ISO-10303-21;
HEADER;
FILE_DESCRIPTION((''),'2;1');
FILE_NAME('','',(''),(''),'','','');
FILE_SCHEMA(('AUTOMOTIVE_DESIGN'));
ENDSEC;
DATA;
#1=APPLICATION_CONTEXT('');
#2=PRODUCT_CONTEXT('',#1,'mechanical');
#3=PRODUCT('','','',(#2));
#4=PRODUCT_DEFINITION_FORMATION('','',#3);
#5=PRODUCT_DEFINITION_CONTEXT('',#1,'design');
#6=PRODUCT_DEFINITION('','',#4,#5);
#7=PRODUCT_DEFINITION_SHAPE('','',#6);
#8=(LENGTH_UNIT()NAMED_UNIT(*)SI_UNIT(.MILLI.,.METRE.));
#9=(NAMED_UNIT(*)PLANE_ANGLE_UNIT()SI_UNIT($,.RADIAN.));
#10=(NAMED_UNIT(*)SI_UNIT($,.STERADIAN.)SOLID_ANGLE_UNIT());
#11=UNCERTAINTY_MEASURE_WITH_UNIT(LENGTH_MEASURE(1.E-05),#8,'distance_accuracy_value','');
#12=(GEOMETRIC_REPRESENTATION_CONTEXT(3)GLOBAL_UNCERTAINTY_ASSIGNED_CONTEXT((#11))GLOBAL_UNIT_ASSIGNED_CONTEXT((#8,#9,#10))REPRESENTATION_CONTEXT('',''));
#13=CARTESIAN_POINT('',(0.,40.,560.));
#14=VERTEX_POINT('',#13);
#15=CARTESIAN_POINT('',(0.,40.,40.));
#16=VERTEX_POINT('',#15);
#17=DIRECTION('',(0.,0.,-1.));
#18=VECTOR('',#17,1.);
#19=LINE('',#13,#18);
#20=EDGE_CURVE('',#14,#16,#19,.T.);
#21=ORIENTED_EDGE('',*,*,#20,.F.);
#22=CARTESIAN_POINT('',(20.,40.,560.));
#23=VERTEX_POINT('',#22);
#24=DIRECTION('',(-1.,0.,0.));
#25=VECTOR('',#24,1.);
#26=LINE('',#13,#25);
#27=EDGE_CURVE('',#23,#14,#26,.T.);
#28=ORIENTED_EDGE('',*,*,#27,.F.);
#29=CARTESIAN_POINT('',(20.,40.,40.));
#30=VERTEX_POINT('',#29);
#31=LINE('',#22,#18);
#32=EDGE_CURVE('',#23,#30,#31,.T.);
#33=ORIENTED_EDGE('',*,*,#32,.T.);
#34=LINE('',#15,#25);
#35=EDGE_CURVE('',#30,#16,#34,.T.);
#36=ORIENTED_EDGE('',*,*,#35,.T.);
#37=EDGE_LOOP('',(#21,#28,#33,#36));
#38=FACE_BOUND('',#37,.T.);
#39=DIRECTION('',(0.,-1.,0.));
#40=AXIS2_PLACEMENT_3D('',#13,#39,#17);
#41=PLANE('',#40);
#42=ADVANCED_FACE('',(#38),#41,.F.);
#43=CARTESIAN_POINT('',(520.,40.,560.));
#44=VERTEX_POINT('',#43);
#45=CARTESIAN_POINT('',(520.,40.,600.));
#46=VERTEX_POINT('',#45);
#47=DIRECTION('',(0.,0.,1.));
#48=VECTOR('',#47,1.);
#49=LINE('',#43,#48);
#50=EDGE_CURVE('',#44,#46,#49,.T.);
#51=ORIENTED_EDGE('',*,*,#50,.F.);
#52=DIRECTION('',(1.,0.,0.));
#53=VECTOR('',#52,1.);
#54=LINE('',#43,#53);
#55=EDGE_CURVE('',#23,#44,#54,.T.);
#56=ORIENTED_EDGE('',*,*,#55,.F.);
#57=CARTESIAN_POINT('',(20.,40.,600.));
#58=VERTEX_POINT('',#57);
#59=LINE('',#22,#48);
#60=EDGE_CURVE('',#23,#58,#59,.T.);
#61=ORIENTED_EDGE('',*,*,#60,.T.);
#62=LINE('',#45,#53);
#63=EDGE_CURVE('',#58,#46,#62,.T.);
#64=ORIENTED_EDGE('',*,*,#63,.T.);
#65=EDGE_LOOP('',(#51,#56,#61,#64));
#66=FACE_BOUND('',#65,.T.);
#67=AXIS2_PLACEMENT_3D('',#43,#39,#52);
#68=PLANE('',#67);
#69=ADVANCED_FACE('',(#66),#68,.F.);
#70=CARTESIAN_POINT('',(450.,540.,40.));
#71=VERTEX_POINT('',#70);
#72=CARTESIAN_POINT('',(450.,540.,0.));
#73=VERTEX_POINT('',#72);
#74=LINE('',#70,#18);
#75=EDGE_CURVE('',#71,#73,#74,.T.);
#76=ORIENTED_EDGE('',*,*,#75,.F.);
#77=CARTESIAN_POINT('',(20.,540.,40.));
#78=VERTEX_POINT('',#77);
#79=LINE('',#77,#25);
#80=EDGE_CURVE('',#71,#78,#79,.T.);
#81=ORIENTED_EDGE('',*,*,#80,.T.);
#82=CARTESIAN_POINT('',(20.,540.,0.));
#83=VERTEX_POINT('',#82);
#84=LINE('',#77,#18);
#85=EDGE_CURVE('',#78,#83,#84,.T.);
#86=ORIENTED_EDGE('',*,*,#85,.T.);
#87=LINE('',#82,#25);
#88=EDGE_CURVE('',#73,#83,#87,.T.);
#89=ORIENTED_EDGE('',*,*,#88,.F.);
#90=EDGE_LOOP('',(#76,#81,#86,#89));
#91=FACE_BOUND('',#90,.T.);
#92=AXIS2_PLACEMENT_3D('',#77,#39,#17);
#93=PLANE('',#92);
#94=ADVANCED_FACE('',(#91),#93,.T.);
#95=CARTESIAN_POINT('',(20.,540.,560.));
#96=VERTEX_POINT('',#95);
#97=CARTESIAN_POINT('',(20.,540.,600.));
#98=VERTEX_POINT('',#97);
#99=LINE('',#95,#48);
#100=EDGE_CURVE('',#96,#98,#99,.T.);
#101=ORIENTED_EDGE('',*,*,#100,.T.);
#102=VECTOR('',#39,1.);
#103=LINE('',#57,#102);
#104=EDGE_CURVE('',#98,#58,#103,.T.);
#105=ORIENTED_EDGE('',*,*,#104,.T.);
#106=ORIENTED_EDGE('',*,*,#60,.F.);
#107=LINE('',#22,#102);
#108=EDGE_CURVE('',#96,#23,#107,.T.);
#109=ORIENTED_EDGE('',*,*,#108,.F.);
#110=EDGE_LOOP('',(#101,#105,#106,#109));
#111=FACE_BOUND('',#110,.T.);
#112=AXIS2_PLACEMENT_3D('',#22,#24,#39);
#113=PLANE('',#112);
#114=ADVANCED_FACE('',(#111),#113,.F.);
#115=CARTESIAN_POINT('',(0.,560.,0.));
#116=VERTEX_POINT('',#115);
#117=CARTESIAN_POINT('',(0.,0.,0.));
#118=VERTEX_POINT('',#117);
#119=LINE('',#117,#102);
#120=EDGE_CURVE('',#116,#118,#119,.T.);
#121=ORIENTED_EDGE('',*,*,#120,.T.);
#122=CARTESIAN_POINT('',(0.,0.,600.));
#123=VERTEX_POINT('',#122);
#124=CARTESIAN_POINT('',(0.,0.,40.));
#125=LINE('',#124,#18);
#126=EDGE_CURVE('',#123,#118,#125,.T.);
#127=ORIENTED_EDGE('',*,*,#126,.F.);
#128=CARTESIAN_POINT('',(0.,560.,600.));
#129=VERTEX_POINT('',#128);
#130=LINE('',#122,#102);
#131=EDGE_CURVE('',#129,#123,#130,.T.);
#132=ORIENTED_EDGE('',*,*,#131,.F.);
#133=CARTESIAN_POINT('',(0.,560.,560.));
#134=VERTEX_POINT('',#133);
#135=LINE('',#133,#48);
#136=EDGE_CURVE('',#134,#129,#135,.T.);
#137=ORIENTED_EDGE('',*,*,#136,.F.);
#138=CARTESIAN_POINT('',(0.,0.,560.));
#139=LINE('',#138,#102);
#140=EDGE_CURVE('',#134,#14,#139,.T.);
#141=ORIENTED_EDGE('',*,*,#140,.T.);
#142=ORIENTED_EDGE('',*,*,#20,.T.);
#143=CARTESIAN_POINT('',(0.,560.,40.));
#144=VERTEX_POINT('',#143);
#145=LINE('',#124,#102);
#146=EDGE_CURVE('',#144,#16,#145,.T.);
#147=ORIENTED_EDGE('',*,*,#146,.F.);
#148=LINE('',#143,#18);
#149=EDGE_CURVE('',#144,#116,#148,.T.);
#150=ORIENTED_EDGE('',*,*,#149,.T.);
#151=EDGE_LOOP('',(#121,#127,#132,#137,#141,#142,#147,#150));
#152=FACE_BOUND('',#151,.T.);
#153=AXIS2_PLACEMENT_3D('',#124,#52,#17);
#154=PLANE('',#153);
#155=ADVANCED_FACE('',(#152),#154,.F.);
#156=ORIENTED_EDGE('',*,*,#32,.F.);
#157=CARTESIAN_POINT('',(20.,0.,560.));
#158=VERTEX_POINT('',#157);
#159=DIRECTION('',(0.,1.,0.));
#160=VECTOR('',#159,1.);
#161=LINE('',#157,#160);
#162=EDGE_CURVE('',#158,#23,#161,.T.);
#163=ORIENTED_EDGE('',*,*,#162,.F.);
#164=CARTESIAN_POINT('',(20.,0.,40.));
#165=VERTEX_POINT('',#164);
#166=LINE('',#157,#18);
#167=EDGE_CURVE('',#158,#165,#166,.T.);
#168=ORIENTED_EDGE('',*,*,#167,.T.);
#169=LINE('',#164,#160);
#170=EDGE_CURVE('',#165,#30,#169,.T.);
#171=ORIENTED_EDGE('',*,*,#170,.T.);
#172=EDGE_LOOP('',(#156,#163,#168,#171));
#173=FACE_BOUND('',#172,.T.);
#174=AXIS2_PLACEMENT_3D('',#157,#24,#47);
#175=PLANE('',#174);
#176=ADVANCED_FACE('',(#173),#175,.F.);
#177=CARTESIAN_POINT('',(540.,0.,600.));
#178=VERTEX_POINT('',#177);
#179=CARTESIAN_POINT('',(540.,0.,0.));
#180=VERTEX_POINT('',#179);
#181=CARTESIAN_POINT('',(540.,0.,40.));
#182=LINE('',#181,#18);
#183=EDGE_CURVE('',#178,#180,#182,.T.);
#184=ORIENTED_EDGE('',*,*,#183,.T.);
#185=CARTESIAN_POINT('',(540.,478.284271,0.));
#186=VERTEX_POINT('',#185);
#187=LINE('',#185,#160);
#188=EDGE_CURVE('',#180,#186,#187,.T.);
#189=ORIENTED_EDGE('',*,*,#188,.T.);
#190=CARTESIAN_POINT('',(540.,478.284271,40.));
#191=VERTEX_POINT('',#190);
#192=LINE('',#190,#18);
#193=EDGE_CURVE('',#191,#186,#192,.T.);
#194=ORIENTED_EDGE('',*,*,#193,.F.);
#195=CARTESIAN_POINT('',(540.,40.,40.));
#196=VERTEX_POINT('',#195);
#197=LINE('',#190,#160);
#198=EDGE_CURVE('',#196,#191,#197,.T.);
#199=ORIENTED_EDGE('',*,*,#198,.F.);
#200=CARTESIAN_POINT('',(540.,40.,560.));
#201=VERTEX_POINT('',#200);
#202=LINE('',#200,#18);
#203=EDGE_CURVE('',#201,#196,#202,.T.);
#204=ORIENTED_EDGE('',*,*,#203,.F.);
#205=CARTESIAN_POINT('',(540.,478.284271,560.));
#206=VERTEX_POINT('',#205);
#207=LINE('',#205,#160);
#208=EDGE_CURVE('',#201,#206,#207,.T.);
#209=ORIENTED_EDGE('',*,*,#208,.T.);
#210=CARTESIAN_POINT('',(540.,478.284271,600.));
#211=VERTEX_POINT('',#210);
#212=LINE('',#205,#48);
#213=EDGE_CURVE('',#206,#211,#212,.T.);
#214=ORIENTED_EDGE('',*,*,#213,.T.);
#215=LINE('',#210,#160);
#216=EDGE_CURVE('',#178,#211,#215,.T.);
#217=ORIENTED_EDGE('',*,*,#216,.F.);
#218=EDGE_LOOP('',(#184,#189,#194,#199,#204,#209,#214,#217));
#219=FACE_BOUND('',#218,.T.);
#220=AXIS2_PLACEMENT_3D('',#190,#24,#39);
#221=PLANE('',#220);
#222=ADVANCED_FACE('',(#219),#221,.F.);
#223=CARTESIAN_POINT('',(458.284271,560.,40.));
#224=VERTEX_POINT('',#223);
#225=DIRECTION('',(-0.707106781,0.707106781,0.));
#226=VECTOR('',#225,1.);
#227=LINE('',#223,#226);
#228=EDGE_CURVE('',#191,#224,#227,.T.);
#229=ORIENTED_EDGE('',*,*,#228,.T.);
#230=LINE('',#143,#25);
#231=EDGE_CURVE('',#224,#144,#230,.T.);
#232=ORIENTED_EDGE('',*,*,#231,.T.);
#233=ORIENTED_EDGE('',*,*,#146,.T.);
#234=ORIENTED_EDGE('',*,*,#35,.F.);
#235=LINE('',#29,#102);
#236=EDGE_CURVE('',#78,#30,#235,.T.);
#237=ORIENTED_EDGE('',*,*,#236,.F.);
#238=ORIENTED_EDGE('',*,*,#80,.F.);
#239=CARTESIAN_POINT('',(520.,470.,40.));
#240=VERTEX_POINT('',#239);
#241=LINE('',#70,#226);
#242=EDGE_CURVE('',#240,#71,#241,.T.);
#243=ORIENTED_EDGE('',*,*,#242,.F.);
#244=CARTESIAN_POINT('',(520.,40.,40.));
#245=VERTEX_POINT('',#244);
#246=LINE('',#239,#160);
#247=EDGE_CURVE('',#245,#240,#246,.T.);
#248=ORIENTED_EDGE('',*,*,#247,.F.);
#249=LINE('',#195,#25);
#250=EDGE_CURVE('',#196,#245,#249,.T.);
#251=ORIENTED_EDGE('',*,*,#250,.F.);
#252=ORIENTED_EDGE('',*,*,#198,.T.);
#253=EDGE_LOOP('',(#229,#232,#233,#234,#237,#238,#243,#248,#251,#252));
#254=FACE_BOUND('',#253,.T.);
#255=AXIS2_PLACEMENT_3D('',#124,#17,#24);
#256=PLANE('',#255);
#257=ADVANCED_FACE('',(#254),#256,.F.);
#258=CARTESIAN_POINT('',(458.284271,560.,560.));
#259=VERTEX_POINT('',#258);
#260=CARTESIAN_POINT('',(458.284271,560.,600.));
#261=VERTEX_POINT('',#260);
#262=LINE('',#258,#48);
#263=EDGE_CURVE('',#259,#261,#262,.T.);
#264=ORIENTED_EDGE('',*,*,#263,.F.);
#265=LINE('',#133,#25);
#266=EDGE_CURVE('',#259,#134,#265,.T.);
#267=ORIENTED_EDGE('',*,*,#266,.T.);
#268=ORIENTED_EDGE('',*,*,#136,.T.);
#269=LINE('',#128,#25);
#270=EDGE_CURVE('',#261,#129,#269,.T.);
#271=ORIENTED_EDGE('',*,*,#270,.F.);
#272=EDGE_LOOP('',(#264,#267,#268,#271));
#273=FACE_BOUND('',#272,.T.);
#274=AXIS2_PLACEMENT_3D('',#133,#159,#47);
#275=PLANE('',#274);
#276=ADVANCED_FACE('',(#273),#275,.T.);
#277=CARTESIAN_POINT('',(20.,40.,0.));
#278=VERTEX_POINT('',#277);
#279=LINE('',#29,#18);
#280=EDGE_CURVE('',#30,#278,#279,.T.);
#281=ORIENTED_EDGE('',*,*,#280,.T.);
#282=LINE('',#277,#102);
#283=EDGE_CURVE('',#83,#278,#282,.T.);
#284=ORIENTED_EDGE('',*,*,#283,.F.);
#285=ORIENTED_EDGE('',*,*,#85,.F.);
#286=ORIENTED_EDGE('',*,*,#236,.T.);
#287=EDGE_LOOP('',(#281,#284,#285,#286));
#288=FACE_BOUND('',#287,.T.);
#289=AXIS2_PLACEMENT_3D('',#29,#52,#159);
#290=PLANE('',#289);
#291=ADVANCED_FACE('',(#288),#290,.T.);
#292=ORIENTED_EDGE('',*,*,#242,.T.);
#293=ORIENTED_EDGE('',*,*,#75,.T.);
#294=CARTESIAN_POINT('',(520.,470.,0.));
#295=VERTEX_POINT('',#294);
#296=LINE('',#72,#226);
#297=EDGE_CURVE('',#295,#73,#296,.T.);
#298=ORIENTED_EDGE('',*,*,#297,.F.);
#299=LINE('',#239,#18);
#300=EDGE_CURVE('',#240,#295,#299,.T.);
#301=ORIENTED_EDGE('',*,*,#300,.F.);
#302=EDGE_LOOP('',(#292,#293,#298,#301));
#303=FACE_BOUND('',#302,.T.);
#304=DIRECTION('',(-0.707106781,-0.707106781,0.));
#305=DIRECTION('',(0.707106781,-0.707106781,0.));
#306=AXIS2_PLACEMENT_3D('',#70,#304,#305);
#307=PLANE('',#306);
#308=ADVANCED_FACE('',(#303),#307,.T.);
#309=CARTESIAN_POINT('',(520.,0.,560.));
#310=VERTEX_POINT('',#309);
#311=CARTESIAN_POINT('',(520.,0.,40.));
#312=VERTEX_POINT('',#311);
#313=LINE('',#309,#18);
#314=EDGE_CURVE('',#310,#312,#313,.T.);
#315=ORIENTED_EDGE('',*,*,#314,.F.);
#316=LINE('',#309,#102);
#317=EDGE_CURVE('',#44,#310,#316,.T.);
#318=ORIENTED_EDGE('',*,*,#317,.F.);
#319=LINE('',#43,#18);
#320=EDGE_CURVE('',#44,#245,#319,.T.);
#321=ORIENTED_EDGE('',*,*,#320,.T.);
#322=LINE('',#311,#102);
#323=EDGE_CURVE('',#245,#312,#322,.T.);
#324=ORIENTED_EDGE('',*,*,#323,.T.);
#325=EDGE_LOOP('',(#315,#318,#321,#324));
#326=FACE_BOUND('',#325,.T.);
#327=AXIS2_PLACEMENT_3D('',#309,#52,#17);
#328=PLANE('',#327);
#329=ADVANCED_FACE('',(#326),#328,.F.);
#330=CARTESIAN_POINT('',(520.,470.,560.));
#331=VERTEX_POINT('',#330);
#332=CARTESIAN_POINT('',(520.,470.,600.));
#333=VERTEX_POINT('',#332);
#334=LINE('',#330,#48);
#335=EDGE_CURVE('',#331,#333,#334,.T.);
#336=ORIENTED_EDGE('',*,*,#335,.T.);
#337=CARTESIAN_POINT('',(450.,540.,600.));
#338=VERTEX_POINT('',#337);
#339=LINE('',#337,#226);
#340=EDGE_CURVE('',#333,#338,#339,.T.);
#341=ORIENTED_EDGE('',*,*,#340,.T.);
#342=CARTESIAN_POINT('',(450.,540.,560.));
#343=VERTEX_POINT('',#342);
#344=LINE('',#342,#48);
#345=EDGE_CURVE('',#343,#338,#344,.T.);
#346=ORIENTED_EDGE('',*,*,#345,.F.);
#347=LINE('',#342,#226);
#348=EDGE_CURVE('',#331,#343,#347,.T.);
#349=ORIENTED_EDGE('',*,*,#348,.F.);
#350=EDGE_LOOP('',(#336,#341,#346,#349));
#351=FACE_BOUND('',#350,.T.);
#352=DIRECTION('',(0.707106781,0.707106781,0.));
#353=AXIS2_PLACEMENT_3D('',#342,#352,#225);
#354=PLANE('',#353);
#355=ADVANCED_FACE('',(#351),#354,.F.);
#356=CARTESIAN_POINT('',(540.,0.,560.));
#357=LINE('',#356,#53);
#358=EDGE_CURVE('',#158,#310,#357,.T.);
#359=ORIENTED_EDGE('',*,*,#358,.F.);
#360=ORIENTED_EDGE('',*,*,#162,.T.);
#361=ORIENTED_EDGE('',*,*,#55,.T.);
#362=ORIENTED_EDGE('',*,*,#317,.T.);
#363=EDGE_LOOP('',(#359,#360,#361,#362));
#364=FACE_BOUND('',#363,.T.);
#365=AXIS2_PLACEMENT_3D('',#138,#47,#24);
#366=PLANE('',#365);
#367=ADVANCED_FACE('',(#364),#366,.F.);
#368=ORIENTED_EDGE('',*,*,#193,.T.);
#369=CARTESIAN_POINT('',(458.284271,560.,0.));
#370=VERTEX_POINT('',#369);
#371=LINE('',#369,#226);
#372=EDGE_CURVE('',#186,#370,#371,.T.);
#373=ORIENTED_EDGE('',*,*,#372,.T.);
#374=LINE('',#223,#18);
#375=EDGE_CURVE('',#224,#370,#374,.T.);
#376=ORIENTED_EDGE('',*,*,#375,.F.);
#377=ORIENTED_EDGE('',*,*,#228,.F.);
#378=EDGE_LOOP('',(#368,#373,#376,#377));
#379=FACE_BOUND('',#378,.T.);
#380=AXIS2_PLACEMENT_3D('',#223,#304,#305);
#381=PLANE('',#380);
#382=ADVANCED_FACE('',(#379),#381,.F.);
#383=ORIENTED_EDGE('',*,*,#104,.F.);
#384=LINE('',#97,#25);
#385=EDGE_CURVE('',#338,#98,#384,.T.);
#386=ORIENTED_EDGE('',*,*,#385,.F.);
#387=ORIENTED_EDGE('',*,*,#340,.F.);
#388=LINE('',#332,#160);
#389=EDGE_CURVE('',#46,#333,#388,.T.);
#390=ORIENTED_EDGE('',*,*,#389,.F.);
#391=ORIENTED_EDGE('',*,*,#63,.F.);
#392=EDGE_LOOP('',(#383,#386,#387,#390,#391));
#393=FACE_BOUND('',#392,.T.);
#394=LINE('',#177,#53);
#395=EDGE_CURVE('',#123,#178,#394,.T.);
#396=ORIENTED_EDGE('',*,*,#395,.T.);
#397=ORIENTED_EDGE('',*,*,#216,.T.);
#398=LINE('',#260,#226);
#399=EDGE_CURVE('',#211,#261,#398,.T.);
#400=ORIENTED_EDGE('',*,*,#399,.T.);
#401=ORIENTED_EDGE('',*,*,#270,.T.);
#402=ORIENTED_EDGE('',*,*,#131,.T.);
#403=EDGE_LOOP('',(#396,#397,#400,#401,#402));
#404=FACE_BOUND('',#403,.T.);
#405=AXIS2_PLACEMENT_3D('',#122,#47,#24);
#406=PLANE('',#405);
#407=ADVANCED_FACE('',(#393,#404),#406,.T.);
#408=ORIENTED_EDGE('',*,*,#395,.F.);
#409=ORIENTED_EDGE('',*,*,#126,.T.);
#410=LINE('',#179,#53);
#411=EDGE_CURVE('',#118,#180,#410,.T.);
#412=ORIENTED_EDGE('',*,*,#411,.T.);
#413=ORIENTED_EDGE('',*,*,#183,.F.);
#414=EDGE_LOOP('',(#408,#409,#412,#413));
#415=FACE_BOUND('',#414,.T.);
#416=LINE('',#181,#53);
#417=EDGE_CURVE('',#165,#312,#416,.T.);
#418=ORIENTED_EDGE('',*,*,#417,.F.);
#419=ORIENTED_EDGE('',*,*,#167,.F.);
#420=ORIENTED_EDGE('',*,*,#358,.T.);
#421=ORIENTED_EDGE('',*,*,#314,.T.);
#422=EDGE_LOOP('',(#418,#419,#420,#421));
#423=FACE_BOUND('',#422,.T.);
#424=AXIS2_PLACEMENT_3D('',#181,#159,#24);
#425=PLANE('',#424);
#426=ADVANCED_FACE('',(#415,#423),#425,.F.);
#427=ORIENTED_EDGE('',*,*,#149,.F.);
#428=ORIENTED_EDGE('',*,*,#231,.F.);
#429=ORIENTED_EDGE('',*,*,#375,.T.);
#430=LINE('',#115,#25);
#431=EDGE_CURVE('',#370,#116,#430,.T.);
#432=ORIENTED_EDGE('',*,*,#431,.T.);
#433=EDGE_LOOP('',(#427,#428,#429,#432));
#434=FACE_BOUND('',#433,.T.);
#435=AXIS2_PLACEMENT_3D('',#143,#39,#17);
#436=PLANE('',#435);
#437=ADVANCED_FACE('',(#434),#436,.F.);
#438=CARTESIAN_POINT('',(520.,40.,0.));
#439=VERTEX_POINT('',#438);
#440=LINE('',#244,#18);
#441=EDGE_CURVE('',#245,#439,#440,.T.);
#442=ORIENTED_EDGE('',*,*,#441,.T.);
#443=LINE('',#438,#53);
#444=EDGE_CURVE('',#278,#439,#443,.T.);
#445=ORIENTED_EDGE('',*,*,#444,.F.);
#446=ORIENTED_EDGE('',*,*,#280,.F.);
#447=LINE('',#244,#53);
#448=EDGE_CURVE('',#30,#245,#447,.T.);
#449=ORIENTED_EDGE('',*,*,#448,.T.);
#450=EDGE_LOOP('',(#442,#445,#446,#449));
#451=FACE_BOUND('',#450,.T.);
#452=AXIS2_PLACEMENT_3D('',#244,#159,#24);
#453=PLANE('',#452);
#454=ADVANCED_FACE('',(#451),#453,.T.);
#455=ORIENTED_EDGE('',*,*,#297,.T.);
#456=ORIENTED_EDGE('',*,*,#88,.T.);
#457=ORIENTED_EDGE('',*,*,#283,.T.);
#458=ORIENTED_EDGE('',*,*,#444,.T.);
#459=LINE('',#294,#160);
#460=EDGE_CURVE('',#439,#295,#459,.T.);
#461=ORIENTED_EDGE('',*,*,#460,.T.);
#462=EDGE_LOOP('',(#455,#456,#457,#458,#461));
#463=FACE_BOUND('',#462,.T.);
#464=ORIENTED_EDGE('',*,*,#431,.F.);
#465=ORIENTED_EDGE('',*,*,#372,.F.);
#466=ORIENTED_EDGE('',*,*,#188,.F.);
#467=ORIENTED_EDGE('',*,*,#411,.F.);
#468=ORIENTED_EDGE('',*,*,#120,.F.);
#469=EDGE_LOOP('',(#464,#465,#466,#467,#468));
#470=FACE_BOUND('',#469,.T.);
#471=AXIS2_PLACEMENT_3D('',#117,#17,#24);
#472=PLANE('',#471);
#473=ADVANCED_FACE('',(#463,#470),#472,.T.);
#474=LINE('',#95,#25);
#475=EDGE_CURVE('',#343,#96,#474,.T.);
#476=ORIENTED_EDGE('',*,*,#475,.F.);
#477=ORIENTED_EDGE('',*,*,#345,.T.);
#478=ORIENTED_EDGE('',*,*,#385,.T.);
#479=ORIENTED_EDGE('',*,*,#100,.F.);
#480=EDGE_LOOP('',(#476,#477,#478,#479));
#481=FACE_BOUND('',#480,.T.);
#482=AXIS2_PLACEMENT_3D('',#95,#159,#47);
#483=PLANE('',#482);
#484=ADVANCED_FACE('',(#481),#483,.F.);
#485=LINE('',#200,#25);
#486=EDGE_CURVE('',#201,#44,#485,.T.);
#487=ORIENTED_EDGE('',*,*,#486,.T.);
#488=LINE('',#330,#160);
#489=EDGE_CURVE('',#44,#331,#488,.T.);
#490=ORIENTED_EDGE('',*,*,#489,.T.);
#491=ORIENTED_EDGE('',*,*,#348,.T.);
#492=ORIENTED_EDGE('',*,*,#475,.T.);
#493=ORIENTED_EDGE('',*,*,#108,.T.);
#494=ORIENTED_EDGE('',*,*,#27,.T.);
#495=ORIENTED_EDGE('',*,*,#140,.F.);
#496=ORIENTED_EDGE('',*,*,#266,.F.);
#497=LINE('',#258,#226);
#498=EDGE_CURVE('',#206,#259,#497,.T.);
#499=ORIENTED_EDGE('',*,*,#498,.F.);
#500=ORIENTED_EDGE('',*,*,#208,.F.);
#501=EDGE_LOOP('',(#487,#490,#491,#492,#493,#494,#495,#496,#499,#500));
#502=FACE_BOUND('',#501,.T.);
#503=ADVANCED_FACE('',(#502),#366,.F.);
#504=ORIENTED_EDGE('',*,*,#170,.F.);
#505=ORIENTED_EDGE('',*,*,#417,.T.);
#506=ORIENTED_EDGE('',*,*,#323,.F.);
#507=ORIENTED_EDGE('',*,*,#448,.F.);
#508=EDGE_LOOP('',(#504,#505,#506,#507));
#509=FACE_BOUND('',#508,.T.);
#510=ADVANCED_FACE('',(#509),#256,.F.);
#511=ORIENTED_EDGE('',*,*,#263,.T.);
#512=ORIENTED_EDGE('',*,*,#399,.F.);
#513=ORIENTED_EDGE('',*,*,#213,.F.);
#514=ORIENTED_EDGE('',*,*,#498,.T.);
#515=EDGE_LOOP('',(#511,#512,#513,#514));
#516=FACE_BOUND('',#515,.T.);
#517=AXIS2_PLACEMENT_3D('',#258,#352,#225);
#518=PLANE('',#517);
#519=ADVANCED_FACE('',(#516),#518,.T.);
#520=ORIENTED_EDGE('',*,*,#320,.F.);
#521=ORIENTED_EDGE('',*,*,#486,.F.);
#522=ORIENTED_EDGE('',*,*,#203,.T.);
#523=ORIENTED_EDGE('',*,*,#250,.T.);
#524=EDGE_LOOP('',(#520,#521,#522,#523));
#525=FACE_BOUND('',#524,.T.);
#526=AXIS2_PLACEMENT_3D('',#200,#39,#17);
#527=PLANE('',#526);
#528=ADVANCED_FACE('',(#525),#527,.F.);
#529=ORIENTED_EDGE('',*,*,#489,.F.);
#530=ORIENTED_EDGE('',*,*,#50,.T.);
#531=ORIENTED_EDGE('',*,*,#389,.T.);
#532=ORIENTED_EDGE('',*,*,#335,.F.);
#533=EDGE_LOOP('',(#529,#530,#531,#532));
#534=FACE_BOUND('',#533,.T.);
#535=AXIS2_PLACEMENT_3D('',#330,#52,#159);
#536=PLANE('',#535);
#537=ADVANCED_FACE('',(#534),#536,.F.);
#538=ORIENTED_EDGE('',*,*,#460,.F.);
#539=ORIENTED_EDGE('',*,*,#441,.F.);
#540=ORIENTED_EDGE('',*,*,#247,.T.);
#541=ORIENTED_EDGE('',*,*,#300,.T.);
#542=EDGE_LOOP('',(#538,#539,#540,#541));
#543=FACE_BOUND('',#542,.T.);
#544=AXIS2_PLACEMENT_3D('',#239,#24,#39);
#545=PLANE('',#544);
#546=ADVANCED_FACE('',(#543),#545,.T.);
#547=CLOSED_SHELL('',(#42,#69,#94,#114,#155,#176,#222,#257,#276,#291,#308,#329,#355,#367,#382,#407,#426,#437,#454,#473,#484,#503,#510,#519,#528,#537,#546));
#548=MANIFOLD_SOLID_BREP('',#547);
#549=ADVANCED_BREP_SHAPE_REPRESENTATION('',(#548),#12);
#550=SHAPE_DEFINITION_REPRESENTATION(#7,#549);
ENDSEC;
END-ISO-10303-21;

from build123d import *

# Parameters (mm, degrees)
BOSS_EXTRUDE1_DEPTH = 40
SKETCH2_W           = 20
SKETCH2_H           = 40
BOSS_EXTRUDE2_DEPTH = 520


with BuildPart() as part:
    # Sketch1 → Boss-Extrude1 (new body)
    with BuildSketch(Plane.XY):
        Polygon((0, 0), (0, 560), (458.284271247, 560), (540, 478.284271247), (540, 0), align=None)
        Polygon((20, 40), (20, 540), (450, 540), (520, 470), (520, 40), align=None, mode=Mode.SUBTRACT)
    boss_extrude1 = extrude(amount=BOSS_EXTRUDE1_DEPTH)

    # Sketch2 → Boss-Extrude2 (add)
    with BuildSketch(Plane.XY.offset(40)):
        with Locations((530, 20)):
            Rectangle(SKETCH2_W, SKETCH2_H)
        with Locations((10, 20)):
            Rectangle(SKETCH2_W, SKETCH2_H)
    extrude(amount=BOSS_EXTRUDE2_DEPTH)

    # Mirror1: Boss-Extrude1 across plane
    add(boss_extrude1.mirror(Plane(origin=(0, 0, 300), x_dir=(1, 0, 0), z_dir=(0, 0, -1))))


solid = part.part
